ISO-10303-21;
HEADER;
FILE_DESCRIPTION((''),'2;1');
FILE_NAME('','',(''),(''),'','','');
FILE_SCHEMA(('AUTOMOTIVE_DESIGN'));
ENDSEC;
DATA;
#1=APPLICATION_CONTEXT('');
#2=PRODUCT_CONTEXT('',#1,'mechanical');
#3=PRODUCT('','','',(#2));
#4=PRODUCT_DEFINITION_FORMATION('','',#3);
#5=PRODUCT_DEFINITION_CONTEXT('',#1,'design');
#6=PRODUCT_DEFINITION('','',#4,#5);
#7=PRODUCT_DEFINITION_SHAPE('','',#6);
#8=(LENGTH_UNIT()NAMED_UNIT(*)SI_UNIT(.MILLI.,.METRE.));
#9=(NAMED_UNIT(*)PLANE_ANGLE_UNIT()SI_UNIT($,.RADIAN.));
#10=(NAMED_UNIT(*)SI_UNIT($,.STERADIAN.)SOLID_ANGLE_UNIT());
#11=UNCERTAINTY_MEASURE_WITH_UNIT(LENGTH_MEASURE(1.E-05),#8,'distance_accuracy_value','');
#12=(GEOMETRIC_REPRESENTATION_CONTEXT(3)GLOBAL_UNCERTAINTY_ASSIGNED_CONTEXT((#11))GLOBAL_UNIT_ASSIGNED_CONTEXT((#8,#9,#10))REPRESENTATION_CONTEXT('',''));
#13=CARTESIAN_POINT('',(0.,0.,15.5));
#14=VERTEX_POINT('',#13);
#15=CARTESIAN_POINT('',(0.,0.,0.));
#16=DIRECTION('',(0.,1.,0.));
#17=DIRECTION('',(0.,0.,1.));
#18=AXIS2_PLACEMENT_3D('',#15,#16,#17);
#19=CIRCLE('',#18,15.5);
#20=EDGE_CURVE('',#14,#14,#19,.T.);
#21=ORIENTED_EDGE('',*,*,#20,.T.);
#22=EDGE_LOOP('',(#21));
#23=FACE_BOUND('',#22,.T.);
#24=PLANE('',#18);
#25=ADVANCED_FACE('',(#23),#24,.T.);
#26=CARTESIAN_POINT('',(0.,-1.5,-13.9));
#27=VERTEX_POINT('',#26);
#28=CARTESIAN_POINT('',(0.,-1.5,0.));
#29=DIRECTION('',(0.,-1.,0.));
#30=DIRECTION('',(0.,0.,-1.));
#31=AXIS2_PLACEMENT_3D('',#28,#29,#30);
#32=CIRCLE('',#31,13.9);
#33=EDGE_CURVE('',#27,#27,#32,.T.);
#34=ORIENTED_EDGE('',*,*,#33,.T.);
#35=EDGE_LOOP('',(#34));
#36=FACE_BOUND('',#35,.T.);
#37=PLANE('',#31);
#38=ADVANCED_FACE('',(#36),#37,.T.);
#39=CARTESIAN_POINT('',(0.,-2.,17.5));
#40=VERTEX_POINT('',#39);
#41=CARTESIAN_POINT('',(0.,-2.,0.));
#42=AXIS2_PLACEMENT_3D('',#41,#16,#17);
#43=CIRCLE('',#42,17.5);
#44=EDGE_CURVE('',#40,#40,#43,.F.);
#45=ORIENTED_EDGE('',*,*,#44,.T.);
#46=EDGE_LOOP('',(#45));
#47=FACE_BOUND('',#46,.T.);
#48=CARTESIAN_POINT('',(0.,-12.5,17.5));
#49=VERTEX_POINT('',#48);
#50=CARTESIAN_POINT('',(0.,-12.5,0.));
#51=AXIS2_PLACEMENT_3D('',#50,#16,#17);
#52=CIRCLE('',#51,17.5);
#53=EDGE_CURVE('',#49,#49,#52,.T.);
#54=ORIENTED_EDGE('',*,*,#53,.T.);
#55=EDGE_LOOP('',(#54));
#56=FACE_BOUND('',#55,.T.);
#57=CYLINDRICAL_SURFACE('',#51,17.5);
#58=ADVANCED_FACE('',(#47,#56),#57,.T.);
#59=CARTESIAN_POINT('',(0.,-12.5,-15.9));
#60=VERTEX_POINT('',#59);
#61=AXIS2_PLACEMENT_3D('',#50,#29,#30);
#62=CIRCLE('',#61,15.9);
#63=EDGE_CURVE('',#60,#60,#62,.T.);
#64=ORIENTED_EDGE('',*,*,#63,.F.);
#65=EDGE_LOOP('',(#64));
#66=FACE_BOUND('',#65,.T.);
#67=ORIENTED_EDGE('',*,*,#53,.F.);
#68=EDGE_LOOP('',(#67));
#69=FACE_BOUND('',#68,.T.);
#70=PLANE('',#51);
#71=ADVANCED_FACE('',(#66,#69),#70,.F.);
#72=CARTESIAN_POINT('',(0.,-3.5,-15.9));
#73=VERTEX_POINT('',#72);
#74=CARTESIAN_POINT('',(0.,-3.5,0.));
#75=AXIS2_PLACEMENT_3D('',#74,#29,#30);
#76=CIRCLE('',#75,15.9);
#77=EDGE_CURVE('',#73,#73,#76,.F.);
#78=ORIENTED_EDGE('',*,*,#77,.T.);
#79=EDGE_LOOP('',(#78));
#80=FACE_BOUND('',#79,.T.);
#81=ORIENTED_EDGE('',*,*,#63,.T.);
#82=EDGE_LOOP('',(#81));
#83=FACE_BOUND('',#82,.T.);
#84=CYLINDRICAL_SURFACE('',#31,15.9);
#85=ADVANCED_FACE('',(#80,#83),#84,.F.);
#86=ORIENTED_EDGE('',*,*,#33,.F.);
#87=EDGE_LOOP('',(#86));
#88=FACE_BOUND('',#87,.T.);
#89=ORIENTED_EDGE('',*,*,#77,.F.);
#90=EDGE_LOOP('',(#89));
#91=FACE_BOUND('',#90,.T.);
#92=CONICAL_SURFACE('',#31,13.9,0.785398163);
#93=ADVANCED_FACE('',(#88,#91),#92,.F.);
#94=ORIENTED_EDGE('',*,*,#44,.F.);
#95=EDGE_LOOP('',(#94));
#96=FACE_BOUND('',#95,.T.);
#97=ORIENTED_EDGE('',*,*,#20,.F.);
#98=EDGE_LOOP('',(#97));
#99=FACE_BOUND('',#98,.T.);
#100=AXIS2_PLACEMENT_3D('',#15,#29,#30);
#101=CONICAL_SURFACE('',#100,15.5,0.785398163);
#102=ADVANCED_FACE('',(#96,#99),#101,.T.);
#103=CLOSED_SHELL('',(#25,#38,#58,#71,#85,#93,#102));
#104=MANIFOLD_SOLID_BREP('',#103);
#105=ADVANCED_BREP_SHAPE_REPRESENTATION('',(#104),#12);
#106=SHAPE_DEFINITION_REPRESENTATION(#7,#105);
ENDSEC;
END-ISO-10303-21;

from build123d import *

# Parameters (mm, degrees)
SKETCH1_R           = 17.5
BOSS_EXTRUDE1_DEPTH = 12.5
SKETCH2_R           = 15.9
CUT_EXTRUDE1_DEPTH  = 11
CHAMFER1_SIZE       = 2
CHAMFER2_SIZE       = 2


with BuildPart() as part:
    # Sketch1 → Boss-Extrude1 (new body)
    with BuildSketch(Plane(origin=(0, 0, 0), x_dir=(1, 0, 0), z_dir=(0, 1, 0))):
        Circle(SKETCH1_R)
    extrude(amount=-BOSS_EXTRUDE1_DEPTH)

    # Sketch2 → Cut-Extrude1 (cut)
    with BuildSketch(Plane.XZ.offset(12.5)):
        Circle(SKETCH2_R)
    extrude(amount=-CUT_EXTRUDE1_DEPTH, mode=Mode.SUBTRACT)

    # Chamfer1
    chamfer1_edges = [part.edges().sort_by_distance(p)[0] for p in [
        (-17.5, 0, 0),
    ]]
    chamfer(chamfer1_edges, length=CHAMFER1_SIZE)

    # Chamfer2
    chamfer2_edges = [part.edges().sort_by_distance(p)[0] for p in [
        (-15.9, -1.5, 0),
    ]]
    chamfer(chamfer2_edges, length=CHAMFER2_SIZE)


solid = part.part
